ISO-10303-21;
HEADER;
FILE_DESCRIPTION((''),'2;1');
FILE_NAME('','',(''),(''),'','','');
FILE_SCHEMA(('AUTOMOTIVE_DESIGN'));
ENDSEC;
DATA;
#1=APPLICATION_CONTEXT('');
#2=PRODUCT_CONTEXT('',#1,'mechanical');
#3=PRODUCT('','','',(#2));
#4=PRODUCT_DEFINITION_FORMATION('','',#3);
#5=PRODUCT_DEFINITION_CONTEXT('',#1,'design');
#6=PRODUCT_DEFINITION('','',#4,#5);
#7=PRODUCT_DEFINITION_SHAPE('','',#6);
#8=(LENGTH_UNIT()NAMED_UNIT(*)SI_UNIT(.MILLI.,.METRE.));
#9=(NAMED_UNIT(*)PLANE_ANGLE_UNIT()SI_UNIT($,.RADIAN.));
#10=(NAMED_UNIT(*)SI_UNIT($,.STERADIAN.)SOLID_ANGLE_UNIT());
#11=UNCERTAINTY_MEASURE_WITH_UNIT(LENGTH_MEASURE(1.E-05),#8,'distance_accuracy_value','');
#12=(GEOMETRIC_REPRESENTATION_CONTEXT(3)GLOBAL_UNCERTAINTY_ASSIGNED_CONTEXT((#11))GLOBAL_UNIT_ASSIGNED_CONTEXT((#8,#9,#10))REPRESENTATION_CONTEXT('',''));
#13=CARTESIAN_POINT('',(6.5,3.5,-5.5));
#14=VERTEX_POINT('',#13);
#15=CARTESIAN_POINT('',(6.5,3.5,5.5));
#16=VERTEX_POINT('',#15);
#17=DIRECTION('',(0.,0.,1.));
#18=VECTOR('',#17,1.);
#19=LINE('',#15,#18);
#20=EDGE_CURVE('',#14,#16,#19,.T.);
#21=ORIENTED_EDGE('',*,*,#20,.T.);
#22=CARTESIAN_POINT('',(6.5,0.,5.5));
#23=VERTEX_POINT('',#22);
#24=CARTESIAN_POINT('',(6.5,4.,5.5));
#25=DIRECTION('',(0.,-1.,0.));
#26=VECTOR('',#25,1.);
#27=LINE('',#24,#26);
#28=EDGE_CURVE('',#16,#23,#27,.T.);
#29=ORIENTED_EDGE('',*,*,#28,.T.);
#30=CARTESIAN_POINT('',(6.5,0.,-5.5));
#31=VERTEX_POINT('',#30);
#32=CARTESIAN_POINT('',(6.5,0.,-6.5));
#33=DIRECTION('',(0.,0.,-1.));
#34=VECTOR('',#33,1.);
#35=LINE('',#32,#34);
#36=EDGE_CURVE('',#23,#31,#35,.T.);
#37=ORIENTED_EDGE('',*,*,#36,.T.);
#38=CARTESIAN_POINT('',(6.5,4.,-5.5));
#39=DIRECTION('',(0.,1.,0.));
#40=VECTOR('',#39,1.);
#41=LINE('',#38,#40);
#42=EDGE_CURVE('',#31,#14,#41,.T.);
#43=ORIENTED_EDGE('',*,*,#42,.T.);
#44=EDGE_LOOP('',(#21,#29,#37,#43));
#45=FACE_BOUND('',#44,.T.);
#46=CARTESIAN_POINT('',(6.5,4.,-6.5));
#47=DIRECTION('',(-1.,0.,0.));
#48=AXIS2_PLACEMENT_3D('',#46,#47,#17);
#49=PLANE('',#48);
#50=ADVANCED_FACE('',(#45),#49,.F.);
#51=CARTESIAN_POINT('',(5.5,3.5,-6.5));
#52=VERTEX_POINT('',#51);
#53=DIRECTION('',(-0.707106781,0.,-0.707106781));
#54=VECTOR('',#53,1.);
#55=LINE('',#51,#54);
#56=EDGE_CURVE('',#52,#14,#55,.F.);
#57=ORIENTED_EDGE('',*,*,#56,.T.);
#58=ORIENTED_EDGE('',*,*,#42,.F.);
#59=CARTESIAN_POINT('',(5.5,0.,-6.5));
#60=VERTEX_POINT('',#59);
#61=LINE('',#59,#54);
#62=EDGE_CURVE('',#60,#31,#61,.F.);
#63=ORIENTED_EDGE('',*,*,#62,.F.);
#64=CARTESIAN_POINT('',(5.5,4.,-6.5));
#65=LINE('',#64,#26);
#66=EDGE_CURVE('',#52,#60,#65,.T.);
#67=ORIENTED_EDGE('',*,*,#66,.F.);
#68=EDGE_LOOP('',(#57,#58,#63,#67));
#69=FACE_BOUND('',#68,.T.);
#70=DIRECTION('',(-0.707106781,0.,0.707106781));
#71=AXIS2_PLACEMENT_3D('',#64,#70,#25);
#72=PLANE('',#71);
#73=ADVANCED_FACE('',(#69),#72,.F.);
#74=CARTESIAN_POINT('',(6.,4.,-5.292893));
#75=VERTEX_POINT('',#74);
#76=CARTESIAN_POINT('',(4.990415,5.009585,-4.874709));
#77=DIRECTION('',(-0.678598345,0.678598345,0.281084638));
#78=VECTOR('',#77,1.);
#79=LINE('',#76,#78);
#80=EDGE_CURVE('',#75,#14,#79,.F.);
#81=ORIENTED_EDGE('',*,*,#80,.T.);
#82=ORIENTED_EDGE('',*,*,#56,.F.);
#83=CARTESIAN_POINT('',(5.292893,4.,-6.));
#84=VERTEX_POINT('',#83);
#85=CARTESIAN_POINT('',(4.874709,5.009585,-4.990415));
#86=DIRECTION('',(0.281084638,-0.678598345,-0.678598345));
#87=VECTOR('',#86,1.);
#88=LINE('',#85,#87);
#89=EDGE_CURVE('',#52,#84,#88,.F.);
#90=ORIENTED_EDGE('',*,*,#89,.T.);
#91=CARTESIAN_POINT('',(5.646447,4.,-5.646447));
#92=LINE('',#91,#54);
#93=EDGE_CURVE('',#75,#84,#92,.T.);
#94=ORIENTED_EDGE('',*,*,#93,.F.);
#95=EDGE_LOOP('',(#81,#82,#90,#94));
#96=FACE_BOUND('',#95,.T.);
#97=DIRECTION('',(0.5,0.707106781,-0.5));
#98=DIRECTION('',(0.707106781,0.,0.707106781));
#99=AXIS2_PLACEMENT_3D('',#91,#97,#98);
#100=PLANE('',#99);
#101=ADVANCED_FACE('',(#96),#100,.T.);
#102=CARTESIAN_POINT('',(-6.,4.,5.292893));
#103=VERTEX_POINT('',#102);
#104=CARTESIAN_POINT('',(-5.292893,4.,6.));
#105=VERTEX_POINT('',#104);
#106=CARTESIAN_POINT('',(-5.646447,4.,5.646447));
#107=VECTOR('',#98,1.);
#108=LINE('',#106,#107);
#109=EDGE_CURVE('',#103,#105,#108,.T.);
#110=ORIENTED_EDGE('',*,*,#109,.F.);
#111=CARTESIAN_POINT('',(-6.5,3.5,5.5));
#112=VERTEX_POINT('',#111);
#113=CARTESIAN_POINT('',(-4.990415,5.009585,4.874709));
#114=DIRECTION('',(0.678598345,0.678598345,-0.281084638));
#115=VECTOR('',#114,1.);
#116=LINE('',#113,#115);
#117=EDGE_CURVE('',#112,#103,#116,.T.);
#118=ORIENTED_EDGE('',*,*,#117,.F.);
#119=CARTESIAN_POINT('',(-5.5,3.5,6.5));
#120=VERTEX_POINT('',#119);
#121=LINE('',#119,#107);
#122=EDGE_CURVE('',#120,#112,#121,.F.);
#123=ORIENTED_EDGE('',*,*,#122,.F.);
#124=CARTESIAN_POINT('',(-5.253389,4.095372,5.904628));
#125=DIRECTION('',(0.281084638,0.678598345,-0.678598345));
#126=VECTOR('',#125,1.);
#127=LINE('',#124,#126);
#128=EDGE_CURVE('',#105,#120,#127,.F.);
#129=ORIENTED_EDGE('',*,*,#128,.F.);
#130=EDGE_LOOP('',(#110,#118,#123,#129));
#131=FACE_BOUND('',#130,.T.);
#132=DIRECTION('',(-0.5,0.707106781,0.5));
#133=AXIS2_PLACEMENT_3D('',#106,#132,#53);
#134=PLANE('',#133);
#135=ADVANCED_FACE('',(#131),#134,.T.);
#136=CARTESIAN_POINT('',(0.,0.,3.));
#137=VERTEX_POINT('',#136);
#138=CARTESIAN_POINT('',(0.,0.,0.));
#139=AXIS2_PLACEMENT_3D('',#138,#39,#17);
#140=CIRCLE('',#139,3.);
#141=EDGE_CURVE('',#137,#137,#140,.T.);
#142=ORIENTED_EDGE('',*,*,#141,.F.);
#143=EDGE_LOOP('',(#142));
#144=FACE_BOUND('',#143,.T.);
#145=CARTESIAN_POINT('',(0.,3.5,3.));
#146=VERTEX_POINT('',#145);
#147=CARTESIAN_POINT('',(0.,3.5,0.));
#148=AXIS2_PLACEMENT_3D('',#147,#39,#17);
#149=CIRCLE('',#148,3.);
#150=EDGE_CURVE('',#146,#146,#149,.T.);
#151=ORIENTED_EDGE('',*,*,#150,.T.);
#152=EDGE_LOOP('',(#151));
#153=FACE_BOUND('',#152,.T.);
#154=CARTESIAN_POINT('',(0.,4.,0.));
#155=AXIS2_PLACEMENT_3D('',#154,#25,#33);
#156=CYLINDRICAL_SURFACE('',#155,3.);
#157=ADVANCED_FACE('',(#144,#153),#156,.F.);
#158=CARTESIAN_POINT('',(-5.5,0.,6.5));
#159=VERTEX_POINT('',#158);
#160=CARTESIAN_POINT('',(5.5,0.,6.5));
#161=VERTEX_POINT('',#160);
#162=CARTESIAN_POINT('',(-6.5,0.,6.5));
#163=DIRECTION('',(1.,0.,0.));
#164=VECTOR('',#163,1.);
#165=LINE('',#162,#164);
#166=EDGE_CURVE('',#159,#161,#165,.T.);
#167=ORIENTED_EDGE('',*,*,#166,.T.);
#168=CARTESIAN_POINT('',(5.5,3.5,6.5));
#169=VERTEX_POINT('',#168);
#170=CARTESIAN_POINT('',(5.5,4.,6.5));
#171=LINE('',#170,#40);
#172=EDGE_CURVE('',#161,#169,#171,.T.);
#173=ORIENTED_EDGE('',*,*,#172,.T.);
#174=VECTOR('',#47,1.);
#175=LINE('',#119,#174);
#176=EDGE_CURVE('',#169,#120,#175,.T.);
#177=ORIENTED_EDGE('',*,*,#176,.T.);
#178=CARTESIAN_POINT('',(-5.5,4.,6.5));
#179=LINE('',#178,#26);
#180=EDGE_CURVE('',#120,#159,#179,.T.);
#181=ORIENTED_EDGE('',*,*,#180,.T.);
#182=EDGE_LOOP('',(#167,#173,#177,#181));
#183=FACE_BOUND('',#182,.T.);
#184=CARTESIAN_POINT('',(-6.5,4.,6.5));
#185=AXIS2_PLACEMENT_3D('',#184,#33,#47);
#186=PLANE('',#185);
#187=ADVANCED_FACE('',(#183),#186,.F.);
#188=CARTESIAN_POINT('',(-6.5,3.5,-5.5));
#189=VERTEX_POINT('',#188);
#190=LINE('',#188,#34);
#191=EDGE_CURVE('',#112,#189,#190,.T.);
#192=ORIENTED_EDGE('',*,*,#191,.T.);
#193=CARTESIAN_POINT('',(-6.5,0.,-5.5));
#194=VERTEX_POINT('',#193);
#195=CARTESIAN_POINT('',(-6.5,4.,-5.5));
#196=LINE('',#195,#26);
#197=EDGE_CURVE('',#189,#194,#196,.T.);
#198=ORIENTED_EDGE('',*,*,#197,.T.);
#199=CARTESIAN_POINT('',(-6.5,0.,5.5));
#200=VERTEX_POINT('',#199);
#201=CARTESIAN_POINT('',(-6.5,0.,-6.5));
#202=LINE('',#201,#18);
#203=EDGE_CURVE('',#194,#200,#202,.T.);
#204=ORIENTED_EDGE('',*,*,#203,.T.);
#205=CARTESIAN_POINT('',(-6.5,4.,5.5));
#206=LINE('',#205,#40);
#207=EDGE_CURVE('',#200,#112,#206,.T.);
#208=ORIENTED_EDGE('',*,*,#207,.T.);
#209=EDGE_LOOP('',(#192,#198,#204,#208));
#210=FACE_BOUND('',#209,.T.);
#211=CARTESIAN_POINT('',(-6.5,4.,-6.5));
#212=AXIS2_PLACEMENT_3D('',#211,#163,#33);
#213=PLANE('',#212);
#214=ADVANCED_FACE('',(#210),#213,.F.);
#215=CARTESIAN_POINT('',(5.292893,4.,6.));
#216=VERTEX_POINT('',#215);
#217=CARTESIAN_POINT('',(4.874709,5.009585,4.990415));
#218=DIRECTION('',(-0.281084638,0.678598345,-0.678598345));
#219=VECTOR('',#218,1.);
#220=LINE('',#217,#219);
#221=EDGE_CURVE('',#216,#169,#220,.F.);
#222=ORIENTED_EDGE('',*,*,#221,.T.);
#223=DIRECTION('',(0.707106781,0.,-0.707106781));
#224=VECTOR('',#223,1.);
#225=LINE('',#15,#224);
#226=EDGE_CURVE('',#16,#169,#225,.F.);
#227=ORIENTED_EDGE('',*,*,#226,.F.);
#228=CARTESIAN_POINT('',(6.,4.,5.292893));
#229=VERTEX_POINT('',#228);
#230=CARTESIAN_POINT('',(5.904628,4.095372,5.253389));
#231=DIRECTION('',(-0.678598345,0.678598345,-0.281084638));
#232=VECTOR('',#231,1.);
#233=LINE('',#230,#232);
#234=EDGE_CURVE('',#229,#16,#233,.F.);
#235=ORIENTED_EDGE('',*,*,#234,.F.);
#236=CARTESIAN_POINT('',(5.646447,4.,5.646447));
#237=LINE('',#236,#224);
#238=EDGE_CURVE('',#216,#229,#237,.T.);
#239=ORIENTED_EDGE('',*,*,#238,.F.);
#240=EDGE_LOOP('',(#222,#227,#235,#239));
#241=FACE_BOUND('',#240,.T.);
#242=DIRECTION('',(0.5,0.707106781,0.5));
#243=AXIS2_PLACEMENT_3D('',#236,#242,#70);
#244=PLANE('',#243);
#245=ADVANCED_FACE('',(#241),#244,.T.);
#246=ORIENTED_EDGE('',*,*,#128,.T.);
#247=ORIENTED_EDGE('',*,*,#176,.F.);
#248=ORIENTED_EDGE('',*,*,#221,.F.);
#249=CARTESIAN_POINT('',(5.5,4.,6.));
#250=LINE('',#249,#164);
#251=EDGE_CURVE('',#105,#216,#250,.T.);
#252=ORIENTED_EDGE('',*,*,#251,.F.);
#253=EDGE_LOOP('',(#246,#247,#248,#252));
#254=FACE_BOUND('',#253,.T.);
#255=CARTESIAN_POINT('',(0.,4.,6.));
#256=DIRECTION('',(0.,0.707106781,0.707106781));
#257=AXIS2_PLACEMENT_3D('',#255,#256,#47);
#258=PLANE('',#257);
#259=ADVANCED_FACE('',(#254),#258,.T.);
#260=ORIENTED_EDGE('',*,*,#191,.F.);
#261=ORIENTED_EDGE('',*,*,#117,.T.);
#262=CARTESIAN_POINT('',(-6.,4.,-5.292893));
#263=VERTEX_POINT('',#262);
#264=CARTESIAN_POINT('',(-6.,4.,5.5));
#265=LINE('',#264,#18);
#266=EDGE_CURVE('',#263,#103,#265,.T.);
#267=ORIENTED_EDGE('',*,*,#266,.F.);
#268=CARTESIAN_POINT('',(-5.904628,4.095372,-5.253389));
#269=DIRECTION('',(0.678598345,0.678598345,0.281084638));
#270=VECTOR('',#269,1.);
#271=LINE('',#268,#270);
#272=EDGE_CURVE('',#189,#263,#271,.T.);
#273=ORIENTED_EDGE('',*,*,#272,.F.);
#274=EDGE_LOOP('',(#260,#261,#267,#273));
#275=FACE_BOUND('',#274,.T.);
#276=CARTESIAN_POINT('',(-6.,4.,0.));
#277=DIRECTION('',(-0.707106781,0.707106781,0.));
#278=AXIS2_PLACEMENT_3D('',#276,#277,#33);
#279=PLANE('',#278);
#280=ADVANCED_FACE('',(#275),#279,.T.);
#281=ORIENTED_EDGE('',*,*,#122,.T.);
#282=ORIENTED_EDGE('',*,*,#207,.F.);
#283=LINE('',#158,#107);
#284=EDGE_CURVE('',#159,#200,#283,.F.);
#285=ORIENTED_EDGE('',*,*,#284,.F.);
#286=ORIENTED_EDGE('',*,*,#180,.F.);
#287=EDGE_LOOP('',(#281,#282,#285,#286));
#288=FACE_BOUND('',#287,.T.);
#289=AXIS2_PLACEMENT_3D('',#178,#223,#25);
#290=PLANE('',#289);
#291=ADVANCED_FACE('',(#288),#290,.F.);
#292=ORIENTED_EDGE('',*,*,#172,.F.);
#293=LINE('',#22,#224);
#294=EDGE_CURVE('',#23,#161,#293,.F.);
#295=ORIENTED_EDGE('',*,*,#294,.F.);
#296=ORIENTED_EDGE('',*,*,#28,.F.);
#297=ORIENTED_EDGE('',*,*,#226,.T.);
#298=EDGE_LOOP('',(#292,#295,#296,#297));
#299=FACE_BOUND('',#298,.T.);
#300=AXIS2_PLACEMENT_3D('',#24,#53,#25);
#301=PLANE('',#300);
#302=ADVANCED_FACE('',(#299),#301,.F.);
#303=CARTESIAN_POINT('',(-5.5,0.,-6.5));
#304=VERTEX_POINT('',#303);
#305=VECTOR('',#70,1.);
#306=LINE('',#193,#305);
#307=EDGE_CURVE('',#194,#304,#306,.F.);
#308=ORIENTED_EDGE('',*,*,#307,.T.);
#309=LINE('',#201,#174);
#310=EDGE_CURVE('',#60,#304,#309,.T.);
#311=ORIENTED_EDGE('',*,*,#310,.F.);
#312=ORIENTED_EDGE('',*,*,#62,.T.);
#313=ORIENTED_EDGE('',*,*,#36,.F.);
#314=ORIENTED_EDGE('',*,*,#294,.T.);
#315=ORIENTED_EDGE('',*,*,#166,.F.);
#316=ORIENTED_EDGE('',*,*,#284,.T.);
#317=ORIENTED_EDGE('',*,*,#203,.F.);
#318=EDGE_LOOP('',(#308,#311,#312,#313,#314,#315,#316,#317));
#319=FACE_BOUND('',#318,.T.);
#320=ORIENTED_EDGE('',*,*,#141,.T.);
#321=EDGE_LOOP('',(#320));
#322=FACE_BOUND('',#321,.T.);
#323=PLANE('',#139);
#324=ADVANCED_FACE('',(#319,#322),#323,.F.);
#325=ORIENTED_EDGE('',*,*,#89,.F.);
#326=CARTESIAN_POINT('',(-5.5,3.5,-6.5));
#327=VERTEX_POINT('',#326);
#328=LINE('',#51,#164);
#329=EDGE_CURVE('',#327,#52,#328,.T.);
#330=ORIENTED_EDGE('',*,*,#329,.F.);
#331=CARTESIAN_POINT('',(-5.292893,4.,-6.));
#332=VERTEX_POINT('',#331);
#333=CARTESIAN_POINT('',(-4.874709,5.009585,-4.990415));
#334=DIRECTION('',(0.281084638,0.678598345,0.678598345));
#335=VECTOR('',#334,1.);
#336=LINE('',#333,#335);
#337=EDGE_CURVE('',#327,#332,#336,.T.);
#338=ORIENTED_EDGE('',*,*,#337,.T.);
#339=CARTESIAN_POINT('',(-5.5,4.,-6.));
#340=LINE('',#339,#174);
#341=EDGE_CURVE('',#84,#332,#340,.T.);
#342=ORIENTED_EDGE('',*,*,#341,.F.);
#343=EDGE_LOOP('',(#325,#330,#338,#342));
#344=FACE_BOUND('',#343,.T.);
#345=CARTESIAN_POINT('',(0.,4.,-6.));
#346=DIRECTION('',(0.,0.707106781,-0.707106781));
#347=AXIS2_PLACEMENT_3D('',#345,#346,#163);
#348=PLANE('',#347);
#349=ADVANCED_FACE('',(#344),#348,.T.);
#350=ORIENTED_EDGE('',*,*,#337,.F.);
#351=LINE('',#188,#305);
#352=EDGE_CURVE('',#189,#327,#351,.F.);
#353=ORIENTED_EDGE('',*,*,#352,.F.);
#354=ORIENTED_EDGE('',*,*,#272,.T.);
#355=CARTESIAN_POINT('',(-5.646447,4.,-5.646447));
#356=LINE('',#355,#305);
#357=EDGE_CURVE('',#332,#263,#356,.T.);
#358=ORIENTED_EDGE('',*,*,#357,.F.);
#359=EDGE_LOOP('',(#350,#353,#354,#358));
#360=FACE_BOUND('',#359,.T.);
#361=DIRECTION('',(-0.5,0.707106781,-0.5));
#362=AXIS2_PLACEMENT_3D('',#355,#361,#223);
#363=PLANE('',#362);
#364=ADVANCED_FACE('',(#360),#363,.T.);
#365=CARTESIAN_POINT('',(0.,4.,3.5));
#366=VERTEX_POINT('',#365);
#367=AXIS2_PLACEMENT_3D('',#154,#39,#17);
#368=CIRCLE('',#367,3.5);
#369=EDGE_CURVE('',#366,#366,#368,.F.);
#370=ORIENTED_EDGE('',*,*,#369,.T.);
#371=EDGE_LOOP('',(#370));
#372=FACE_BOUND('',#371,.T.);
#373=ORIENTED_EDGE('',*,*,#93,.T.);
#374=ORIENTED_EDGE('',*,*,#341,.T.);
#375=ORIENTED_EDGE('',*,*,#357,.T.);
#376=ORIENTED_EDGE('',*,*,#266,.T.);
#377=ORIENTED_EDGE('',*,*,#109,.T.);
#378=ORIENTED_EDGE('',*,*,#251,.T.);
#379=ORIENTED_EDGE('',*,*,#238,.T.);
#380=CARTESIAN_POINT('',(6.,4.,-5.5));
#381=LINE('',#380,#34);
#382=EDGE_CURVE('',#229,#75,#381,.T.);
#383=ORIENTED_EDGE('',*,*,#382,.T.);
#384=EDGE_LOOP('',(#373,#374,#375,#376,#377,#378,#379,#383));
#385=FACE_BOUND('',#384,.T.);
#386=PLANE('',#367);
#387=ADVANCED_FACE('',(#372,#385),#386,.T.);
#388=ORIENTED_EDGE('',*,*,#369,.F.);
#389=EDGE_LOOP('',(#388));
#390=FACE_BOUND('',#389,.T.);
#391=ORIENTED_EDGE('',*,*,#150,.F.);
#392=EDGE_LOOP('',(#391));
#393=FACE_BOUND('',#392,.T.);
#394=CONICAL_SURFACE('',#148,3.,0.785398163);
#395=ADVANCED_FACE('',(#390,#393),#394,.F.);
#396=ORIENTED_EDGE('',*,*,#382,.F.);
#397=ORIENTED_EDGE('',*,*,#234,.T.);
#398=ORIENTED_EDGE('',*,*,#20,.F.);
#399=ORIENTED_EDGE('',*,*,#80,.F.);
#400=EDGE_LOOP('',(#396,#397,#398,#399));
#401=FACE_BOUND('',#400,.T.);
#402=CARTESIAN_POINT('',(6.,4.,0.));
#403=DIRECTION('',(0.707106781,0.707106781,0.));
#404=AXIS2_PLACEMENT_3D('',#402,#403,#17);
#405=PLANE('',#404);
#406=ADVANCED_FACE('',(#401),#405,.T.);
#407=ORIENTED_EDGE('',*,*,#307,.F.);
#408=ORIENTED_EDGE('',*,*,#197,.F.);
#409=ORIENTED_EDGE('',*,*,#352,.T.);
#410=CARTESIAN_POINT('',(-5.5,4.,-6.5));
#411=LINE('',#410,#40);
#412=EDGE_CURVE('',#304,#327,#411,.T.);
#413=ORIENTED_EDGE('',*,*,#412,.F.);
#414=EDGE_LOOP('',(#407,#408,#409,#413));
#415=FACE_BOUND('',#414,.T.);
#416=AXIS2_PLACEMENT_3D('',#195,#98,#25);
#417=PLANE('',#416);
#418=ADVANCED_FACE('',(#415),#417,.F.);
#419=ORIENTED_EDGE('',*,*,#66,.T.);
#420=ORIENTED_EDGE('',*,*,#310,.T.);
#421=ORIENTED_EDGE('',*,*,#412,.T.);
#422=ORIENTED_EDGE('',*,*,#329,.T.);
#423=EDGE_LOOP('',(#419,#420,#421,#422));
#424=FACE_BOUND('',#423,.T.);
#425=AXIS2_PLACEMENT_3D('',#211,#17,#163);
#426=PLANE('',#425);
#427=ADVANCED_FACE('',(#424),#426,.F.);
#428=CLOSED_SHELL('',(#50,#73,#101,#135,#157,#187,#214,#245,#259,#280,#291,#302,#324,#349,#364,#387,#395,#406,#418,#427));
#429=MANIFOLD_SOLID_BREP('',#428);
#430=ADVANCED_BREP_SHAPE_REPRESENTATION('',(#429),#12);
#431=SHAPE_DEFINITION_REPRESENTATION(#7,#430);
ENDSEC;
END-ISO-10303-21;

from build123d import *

# Parameters (mm, degrees)
SKETCH1_W           = 13
SKETCH1_H           = 13
SKETCH1_R           = 3
BOSS_EXTRUDE1_DEPTH = 4
CHAMFER1_SIZE       = 1
CHAMFER3_SIZE       = 0.5


with BuildPart() as part:
    # Sketch1 → Boss-Extrude1 (new body)
    with BuildSketch(Plane(origin=(0, 0, 0), x_dir=(1, 0, 0), z_dir=(0, 1, 0))):
        Rectangle(SKETCH1_W, SKETCH1_H)
        Circle(SKETCH1_R, mode=Mode.SUBTRACT)
    extrude(amount=BOSS_EXTRUDE1_DEPTH)

    # Chamfer1
    chamfer1_edges = [part.edges().sort_by_distance(p)[0] for p in [
        (6.5, 2, 6.5),
        (-6.5, 2, 6.5),
        (-6.5, 2, -6.5),
        (6.5, 2, -6.5),
    ]]
    chamfer(chamfer1_edges, length=CHAMFER1_SIZE)

    # Chamfer3
    chamfer3_edges = [part.edges().sort_by_distance(p)[0] for p in [
        (-3, 4, 0),
        (-6.5, 4, 0),
        (0, 4, -6.5),
        (6.5, 4, 0),
        (0, 4, 6.5),
        (6, 4, 6),
        (6, 4, -6),
        (-6, 4, 6),
        (-6, 4, -6),
    ]]
    chamfer(chamfer3_edges, length=CHAMFER3_SIZE)


solid = part.part
